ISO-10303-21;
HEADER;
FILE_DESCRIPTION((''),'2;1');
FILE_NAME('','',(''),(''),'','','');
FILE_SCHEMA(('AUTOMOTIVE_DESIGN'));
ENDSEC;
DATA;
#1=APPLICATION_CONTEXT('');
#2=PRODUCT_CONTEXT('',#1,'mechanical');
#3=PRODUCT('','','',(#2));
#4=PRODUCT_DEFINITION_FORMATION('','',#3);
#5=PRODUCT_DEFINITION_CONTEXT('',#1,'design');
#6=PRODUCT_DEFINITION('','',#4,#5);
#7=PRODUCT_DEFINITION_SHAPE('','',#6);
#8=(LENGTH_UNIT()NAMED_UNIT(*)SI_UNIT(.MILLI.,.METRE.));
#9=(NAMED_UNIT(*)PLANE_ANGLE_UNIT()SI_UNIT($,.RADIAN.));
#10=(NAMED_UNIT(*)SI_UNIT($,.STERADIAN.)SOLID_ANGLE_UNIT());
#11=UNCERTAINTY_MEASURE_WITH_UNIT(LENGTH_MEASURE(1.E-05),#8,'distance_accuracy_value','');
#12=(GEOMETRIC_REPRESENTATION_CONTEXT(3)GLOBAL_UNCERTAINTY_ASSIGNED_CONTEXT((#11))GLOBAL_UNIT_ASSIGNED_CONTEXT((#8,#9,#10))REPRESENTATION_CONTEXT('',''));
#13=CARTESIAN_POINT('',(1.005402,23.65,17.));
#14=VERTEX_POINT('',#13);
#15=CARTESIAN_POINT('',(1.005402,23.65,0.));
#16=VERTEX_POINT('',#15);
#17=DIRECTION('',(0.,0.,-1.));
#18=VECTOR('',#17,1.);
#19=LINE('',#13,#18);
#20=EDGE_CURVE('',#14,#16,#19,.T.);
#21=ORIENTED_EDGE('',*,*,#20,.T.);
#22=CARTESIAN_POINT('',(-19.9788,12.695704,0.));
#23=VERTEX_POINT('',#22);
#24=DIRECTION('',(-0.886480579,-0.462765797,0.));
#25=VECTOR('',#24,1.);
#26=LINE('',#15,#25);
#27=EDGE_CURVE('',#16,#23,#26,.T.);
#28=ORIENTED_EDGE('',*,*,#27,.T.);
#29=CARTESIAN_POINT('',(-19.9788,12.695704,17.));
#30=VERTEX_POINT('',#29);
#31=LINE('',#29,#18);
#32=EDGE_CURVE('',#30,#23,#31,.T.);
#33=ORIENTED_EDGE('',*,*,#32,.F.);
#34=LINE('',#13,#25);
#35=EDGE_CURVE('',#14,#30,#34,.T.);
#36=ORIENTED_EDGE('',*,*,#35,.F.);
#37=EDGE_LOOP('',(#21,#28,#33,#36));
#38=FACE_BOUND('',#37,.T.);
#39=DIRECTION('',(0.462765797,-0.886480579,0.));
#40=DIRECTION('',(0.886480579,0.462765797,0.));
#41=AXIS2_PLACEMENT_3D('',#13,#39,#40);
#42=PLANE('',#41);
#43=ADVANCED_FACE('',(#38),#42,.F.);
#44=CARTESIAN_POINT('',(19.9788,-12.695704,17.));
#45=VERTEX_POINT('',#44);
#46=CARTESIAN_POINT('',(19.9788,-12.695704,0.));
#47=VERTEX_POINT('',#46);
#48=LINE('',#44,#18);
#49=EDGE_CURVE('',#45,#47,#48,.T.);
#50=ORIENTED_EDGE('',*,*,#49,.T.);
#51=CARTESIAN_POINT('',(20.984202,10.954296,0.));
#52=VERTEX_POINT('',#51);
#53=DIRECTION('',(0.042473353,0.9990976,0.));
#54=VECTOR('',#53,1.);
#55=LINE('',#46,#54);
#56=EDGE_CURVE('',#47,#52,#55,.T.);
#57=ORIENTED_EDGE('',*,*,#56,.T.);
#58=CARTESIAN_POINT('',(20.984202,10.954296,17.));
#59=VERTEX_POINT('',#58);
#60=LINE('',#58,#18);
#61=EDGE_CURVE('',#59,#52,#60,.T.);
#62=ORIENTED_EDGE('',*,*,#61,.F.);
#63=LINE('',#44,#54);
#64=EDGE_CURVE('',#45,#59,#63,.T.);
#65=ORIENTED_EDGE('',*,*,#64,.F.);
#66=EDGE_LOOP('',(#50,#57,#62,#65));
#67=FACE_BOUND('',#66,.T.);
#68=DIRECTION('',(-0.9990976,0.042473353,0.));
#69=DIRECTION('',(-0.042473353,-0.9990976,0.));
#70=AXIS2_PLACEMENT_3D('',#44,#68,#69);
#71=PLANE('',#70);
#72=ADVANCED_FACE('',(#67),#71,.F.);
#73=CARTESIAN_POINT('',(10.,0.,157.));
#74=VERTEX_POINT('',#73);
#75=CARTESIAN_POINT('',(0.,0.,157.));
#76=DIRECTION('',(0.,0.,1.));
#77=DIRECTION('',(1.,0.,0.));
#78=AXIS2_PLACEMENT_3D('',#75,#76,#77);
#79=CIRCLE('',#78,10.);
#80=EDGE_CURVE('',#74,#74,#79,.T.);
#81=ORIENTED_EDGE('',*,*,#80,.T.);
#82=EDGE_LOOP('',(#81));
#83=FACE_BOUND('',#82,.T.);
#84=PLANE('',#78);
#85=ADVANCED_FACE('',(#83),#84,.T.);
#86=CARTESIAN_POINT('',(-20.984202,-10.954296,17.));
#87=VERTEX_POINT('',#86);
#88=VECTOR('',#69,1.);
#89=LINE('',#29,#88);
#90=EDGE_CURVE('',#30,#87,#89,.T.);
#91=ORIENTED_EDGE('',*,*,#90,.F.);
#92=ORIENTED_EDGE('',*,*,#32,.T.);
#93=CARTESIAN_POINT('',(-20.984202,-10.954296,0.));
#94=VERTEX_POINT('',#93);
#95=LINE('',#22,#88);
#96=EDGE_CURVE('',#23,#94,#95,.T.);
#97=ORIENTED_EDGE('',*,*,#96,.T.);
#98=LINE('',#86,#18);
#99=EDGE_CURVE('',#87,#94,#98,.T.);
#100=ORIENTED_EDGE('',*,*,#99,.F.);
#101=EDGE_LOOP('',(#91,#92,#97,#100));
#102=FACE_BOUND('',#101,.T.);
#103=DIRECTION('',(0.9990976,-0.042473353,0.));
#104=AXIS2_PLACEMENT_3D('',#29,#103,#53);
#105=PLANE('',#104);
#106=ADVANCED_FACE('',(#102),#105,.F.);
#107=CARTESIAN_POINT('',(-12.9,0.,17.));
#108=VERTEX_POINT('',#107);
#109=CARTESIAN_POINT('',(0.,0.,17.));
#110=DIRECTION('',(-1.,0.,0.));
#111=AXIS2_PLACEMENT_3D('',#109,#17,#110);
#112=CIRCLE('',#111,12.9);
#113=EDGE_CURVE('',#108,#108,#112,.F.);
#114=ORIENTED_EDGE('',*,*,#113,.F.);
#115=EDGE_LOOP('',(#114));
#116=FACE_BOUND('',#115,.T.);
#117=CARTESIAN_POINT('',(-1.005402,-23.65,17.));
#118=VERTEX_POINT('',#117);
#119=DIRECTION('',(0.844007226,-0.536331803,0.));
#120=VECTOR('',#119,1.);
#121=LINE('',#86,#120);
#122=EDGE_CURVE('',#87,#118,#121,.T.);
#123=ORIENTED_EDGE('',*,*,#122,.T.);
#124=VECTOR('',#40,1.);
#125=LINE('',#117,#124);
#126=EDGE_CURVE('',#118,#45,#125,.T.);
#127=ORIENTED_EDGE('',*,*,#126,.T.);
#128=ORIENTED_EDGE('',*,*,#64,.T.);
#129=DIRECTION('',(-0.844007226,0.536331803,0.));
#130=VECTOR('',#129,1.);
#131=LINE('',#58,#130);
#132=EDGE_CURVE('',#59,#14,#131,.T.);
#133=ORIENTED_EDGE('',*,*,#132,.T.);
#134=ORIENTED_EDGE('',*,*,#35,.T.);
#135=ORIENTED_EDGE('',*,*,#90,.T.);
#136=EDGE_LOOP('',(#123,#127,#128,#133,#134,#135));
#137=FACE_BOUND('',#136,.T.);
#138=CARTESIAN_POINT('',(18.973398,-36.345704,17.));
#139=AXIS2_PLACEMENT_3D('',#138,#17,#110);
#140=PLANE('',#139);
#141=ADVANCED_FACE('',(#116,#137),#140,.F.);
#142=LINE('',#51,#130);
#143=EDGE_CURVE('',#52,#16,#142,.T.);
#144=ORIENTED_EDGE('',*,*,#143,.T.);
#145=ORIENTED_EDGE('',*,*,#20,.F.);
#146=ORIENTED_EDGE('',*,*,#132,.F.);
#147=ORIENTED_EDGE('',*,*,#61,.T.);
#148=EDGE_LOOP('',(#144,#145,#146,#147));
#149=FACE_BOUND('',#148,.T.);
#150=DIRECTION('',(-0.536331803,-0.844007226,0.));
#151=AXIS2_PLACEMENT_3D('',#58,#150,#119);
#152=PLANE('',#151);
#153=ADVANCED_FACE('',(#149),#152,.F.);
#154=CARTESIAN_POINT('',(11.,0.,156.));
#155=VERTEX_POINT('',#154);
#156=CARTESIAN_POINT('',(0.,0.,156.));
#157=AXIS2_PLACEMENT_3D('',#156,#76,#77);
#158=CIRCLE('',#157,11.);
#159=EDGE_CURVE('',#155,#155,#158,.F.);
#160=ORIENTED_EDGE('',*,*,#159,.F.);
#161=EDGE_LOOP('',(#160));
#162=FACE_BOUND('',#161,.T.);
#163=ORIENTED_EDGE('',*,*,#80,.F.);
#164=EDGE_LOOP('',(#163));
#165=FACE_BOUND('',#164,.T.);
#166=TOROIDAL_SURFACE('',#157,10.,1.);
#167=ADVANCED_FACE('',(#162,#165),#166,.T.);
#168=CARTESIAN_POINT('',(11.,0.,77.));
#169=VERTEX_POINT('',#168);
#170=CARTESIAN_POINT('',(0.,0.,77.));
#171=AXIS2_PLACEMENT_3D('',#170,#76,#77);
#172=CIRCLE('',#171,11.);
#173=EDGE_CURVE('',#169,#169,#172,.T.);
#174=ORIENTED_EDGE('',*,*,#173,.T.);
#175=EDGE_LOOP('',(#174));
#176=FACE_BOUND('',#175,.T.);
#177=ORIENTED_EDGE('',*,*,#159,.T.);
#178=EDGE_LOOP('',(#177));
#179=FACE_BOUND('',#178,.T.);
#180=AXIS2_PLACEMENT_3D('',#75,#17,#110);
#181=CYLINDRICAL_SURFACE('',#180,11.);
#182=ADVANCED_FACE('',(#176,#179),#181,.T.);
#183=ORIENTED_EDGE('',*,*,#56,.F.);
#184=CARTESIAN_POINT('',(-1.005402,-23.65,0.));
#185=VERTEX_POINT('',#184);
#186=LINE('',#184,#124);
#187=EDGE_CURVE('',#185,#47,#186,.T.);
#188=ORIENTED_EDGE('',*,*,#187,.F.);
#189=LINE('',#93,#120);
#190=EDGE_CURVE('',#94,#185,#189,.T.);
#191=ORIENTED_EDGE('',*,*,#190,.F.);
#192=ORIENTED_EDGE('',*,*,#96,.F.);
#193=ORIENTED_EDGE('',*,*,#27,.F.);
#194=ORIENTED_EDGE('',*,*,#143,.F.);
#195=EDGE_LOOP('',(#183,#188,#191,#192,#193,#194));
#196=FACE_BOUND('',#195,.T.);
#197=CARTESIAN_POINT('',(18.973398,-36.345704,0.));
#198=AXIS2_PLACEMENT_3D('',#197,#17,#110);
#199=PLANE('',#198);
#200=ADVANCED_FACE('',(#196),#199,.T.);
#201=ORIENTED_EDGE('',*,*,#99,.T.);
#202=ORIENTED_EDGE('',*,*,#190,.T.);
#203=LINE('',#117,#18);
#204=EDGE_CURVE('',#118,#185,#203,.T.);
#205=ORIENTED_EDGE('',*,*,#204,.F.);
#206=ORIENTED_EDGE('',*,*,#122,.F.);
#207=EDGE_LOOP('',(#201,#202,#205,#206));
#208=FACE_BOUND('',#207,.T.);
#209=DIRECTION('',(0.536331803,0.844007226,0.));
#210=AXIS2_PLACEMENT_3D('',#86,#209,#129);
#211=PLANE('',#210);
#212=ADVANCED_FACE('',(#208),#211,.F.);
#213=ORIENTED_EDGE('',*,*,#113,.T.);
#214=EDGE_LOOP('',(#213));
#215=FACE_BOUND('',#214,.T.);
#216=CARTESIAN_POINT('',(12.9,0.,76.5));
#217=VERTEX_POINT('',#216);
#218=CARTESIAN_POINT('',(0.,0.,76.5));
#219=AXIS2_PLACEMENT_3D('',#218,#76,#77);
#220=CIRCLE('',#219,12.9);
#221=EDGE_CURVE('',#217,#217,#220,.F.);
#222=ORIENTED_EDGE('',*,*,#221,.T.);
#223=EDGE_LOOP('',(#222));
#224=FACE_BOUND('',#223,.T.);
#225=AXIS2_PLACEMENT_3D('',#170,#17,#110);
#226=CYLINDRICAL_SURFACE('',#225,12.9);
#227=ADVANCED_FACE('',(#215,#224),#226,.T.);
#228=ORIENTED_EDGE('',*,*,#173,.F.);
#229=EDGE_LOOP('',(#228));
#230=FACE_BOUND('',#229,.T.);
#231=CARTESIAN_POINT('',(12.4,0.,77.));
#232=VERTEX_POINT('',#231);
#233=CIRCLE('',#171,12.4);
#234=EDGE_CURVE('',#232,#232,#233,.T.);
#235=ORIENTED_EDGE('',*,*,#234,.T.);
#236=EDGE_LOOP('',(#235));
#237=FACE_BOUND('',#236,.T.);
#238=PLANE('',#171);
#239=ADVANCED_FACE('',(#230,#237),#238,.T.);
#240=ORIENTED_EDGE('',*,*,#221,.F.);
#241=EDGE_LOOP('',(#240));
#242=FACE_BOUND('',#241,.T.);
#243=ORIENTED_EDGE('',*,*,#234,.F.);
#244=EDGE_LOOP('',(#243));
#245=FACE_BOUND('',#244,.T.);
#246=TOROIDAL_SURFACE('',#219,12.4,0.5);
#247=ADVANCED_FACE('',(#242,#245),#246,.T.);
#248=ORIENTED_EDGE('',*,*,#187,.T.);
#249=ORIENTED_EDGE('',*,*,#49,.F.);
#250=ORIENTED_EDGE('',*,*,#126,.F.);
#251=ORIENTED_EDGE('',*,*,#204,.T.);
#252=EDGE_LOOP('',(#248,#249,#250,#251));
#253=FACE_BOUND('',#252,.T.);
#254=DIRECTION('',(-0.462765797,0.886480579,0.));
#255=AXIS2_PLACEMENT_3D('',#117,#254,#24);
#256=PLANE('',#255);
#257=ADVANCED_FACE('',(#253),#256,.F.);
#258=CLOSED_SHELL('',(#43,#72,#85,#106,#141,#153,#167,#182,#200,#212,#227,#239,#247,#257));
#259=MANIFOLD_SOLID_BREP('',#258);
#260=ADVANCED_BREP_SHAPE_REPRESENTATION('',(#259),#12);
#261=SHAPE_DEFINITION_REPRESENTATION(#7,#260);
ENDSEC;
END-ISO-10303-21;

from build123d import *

# Parameters (mm, degrees)
EXTRUDE_276_DEPTH = 17
SKETCH_2_R        = 12.9
EXTRUDE_1_DEPTH   = 60
SKETCH_3_R        = 11
EXTRUDE_2_DEPTH   = 80
FILLET_2_R        = 1
FILLET_4_R        = 0.5


with BuildPart() as part:
    # 草图1 → Extrude 276 (new body)
    with BuildSketch(Plane.XY):
        Polygon((20.984201837, 10.954296262), (1.005402075, 23.65), (-19.978799762, 12.695703738), (-20.984201837, -10.954296262), (-1.005402075, -23.65), (19.978799762, -12.695703738), align=None)
    extrude(amount=EXTRUDE_276_DEPTH)

    # 草图2 → 凸台-拉伸1 (add)
    with BuildSketch(Plane.XY.offset(17)):
        with Locations(Location((0, 0, 0), (0, 0, 180))):
            Circle(SKETCH_2_R)
    extrude(amount=EXTRUDE_1_DEPTH)

    # 草图3 → 凸台-拉伸2 (add)
    with BuildSketch(Plane.XY.offset(77)):
        Circle(SKETCH_3_R)
    extrude(amount=EXTRUDE_2_DEPTH)

    # 圆角2
    fillet_2_edges = [part.edges().sort_by_distance(p)[0] for p in [
        (-11, 0, 157),
    ]]
    fillet(fillet_2_edges, radius=FILLET_2_R)

    # 圆角4
    fillet_4_edges = [part.edges().sort_by_distance(p)[0] for p in [
        (12.9, 0, 77),
    ]]
    fillet(fillet_4_edges, radius=FILLET_4_R)


solid = part.part
